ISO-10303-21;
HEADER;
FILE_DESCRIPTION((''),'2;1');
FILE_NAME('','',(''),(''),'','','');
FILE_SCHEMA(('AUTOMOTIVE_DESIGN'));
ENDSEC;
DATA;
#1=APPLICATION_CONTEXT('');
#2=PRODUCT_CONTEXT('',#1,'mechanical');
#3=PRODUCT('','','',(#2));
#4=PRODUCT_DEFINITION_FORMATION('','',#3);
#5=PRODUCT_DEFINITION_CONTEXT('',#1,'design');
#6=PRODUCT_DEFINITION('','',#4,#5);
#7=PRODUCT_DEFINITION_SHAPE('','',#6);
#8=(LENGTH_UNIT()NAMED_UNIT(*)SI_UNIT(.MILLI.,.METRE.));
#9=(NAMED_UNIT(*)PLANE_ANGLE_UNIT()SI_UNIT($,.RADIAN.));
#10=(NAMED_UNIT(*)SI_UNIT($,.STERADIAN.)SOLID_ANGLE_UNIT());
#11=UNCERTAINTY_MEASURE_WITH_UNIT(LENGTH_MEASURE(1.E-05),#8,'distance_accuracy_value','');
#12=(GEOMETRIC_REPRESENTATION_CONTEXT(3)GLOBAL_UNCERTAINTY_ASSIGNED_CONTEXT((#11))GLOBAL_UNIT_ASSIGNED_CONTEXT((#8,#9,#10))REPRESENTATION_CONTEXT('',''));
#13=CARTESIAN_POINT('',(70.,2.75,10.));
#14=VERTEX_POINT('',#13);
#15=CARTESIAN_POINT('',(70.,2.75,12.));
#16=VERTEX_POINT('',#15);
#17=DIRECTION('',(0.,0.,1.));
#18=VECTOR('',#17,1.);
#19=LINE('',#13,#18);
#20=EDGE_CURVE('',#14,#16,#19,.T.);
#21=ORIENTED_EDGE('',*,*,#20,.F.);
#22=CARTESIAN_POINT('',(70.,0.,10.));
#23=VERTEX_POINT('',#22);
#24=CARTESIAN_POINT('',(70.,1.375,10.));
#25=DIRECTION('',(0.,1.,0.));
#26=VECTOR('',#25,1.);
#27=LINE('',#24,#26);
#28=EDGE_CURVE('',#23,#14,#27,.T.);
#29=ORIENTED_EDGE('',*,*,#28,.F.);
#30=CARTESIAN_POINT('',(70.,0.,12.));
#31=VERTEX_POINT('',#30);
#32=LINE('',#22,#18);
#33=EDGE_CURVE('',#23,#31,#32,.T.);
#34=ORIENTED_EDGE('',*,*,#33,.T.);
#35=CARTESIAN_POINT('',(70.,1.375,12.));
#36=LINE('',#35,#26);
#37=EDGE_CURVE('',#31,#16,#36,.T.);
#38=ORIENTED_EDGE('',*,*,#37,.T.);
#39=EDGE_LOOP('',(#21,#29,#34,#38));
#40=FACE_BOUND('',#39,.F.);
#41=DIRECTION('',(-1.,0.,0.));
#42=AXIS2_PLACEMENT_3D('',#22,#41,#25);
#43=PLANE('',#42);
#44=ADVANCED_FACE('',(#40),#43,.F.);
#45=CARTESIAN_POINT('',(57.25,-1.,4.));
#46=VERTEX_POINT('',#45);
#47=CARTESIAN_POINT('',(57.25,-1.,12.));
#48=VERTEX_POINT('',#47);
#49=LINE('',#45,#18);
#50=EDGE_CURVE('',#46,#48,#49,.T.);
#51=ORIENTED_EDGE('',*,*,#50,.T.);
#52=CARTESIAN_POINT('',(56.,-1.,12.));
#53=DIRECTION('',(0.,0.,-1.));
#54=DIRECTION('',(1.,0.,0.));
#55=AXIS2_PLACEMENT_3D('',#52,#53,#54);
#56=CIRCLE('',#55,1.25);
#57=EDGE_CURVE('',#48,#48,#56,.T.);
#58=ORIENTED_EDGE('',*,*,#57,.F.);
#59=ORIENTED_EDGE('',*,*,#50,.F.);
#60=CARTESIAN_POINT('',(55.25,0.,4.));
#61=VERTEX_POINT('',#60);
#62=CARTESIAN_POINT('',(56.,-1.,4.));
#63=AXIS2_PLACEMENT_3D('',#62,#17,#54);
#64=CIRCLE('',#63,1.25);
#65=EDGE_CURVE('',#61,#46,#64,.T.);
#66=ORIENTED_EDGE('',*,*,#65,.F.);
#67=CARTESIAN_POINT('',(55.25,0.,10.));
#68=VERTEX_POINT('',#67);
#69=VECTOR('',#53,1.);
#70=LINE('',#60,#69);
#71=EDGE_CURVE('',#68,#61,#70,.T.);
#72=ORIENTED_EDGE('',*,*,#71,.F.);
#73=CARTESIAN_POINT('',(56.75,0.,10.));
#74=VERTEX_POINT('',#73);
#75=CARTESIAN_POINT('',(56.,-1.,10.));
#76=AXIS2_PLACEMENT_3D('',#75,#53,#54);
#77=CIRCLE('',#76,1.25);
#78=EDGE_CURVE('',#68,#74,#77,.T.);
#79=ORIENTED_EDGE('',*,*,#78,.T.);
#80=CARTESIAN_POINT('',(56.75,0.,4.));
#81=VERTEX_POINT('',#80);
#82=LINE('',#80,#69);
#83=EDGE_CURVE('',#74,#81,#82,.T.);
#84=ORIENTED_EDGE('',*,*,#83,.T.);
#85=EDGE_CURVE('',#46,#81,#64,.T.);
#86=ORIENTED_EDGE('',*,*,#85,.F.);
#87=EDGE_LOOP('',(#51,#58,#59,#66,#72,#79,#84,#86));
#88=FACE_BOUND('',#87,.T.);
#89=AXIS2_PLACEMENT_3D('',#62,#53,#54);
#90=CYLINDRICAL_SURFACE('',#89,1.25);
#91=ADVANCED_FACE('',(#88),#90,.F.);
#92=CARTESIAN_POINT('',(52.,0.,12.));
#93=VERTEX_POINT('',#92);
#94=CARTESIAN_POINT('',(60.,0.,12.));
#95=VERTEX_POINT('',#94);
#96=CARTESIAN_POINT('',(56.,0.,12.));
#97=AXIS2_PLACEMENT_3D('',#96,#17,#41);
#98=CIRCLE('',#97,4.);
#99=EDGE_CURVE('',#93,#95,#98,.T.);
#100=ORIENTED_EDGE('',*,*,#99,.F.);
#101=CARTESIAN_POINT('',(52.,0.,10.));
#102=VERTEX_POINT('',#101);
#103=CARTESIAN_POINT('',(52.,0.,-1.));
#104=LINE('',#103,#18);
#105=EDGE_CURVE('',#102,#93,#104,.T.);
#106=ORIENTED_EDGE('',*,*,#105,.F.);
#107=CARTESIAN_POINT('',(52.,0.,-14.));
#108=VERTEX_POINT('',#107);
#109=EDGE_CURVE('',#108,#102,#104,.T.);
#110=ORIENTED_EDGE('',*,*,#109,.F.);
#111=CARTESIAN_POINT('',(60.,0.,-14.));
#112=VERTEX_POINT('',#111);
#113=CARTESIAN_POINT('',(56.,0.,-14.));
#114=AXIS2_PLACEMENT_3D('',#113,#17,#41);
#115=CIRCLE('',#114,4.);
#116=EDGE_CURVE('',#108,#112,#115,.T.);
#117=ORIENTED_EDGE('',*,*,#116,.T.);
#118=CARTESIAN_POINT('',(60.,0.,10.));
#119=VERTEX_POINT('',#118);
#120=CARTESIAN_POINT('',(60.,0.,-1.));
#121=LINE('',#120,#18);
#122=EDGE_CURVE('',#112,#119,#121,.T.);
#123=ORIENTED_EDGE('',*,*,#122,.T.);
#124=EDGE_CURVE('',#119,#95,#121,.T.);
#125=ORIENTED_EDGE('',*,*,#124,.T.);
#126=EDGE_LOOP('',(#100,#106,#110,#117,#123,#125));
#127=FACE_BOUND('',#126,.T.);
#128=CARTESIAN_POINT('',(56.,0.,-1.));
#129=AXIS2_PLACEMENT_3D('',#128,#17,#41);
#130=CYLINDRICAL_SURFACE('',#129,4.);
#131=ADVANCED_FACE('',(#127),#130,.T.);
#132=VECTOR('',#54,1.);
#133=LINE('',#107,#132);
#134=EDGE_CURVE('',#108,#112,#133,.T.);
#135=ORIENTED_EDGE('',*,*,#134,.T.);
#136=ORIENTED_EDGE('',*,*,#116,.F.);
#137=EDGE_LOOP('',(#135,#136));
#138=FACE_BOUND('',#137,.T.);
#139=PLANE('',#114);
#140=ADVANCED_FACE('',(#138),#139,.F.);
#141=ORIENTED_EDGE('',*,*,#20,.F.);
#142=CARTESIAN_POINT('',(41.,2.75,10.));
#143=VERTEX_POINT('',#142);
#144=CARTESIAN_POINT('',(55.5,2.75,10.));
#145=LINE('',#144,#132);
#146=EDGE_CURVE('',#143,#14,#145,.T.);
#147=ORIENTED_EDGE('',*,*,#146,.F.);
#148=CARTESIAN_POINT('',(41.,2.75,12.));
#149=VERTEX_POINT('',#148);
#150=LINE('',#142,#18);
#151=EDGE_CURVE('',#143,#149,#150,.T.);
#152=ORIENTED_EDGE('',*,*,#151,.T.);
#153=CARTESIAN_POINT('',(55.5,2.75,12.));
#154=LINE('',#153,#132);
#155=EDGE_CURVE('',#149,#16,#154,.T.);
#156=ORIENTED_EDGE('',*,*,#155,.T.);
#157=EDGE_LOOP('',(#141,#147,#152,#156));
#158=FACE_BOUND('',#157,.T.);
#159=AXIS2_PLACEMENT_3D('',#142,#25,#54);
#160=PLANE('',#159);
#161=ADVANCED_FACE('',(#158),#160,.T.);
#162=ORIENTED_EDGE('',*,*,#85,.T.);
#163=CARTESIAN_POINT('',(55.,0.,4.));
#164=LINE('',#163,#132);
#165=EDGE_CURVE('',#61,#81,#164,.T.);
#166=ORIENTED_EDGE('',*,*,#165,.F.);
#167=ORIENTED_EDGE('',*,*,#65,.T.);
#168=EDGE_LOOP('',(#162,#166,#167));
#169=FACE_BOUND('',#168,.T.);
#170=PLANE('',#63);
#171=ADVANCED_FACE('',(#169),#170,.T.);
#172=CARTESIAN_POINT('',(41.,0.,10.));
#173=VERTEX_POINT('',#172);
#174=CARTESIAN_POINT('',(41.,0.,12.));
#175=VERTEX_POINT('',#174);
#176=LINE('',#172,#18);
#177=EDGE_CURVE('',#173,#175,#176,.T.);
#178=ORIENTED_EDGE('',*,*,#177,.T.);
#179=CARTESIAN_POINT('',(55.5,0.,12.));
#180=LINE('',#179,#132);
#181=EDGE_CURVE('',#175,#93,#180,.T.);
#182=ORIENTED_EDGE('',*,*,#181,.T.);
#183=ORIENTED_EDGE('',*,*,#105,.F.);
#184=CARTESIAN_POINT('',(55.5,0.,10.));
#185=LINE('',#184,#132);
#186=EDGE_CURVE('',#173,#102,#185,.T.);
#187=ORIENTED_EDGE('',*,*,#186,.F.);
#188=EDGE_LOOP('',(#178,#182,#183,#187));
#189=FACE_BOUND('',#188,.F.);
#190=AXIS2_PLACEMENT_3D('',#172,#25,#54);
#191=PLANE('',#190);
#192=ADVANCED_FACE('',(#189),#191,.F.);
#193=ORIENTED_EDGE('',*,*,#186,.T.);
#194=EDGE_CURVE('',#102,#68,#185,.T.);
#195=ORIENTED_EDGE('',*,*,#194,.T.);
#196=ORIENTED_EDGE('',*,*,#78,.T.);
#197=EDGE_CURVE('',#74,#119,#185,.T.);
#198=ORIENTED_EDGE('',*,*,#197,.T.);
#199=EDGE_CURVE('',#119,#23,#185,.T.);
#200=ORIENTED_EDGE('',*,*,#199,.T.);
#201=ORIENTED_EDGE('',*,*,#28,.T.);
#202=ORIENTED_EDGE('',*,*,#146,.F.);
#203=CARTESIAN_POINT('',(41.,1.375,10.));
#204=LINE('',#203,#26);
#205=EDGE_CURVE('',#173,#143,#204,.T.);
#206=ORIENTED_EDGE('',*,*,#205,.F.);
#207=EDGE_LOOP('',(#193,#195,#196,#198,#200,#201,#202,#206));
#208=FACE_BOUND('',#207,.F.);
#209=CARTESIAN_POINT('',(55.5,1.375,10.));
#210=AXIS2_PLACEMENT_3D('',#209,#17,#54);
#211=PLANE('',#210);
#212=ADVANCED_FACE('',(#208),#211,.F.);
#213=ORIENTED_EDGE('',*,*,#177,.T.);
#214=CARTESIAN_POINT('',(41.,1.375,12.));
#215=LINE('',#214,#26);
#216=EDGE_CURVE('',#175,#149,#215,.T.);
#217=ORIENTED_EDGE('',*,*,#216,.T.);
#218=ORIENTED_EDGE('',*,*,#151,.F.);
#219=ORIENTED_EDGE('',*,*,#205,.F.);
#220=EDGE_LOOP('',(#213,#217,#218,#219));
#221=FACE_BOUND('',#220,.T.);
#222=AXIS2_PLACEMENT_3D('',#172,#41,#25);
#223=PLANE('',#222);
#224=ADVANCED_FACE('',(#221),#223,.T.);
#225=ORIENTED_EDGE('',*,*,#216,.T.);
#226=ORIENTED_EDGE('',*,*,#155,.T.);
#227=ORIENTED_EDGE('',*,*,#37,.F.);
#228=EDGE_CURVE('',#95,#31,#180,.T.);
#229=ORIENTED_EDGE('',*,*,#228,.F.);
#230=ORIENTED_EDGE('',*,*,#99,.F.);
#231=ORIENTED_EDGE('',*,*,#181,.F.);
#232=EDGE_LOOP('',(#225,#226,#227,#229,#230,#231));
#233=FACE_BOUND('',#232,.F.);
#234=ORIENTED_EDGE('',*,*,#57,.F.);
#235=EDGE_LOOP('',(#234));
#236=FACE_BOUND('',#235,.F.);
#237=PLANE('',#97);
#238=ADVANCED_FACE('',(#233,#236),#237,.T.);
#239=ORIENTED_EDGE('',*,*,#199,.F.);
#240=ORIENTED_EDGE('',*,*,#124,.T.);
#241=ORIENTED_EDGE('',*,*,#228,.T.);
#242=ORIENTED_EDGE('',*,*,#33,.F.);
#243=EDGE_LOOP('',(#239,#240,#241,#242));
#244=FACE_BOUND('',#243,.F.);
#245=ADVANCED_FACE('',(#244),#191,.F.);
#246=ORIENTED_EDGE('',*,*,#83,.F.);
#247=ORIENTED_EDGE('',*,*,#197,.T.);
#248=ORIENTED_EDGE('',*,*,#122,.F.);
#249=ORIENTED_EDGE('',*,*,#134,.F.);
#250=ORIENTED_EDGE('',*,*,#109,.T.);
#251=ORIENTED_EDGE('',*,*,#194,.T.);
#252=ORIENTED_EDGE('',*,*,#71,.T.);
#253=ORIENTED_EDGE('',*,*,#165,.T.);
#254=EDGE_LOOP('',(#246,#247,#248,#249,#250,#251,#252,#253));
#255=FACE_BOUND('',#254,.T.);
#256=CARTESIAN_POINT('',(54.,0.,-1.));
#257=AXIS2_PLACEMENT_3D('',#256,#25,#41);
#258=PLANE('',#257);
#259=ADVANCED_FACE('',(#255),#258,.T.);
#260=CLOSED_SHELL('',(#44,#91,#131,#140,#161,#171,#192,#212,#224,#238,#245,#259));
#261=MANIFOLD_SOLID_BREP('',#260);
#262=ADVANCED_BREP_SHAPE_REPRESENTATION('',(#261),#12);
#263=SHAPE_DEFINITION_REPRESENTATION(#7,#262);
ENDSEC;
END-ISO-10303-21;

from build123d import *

# Parameters (mm, degrees)
CYLINDER007_R     = 1.25
CYLINDER007_DEPTH = 10
CYLINDER029_W     = 4
CYLINDER029_H     = 26
CYLINDER029_ANGLE = 180
BOX006_W          = 29
BOX006_H          = 2.75
BOX006_DEPTH      = 2


with BuildPart() as b_no:
    # Cylinder007 → Cylinder007 (new body)
    with BuildSketch(Plane(origin=(57, -1, 4), x_dir=(1, 0, 0), z_dir=(0, 0, 1))):
        Circle(CYLINDER007_R)
    extrude(amount=CYLINDER007_DEPTH)


with BuildPart() as s016:
    # Cylinder029 → Cylinder029 (revolve)
    with BuildSketch(Plane(origin=(57, 0, -14), x_dir=(-1, 0, 0), z_dir=(0, 1, 0))):
        with Locations((2, 13)):
            Rectangle(CYLINDER029_W, CYLINDER029_H)
    revolve(axis=Axis((57, 0, -14), (0, 0, 1)), revolution_arc=CYLINDER029_ANGLE)


with BuildPart() as cut014_sso:
    # Box006 → Box006 (new body)
    with BuildSketch(Plane(origin=(42, 0, 10), x_dir=(1, 0, 0), z_dir=(0, 0, 1))):
        with Locations((14.5, 1.375)):
            Rectangle(BOX006_W, BOX006_H)
    extrude(amount=BOX006_DEPTH)

    # Fusion008: union S016
    add(s016.part)

    # Cut014: cut B_NO
    add(b_no.part, mode=Mode.SUBTRACT)


with BuildPart() as cut014_sso_1:
    # Cut014 placement: moved
    add(cut014_sso.part.moved(Location((-1, 0, 0))))


solid = cut014_sso_1.part
